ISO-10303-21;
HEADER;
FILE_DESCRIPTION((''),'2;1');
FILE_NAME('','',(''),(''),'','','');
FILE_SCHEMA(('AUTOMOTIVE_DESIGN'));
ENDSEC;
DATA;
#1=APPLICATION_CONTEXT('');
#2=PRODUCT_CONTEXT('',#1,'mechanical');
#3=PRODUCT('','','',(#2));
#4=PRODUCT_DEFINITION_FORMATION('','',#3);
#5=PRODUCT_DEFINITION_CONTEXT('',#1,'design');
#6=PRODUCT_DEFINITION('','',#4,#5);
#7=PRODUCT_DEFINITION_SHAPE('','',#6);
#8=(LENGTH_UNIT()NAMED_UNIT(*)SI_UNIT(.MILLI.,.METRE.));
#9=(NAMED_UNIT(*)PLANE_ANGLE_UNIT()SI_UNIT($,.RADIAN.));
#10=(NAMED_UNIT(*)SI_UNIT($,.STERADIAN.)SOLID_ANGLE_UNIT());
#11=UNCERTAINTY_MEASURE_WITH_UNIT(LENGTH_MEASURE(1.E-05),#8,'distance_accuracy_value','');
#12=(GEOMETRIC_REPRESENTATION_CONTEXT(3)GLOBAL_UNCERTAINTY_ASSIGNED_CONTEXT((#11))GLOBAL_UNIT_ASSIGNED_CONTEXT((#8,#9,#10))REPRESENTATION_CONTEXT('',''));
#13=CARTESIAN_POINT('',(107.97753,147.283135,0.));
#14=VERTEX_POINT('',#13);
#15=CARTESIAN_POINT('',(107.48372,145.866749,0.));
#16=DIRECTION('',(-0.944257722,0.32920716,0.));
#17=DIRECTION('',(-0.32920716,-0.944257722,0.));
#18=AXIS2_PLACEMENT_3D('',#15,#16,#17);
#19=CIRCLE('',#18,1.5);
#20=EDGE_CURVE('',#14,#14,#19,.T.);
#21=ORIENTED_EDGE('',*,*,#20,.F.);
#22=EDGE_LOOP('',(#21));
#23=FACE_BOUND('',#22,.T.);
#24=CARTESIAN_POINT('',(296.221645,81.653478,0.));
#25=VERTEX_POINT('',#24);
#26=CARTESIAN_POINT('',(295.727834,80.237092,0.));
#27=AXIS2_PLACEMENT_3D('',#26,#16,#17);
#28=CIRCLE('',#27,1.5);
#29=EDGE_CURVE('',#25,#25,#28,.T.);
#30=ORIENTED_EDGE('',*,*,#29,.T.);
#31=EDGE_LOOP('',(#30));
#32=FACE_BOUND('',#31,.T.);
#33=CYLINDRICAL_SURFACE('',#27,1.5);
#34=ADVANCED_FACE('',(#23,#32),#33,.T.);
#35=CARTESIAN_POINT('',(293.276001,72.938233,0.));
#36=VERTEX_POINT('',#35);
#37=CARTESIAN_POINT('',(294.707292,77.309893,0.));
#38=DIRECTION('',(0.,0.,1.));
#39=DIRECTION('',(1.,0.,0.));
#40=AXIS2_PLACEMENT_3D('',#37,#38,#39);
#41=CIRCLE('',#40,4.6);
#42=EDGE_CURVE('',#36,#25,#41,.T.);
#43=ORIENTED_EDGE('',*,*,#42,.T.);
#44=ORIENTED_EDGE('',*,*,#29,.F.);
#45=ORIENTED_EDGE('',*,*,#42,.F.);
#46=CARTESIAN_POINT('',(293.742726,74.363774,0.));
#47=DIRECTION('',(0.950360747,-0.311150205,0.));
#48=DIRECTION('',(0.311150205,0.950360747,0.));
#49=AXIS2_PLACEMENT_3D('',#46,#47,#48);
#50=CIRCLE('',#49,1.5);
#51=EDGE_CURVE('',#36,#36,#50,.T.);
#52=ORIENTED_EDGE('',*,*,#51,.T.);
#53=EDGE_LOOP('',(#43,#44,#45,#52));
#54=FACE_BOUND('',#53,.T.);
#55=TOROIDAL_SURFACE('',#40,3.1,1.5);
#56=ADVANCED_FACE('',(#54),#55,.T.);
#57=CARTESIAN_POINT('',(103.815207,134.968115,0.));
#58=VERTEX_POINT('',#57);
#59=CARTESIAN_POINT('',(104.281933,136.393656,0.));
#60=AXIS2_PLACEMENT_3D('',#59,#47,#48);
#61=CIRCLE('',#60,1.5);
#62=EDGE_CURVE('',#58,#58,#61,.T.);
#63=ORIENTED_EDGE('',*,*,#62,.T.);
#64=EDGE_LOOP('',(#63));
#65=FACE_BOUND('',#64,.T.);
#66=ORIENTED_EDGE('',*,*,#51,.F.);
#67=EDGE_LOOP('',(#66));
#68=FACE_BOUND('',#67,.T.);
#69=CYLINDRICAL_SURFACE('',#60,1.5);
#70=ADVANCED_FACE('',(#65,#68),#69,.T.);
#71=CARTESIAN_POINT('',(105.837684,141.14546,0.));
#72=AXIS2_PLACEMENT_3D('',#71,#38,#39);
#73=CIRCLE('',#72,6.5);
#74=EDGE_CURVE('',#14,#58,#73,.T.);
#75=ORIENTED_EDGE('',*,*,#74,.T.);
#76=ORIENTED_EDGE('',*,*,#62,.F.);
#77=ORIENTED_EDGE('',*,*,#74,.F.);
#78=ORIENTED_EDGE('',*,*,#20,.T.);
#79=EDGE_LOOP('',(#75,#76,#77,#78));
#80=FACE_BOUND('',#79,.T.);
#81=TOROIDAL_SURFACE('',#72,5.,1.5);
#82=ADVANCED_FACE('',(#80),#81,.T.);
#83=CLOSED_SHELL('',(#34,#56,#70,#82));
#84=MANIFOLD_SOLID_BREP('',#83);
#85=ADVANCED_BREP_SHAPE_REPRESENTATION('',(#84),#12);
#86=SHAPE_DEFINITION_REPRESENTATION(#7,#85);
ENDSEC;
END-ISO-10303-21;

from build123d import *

# Parameters (mm, degrees)
SWEEP_19_PROFILE_R = 1.5


with BuildPart() as part:
    # 扫描19: sweep along a path in 草图2
    with BuildLine(Plane.XY) as sweep_19_path:
        Line((293.74272631, 74.363774443), (104.281932756, 136.393656186))
        ThreePointArc((104.281932756, 136.393656186), (101.100922494, 142.74642604), (107.483719579, 145.866748534))
        Line((107.483719579, 145.866748534), (295.72783414, 80.237091699))
        ThreePointArc((295.72783414, 80.237091699), (297.644083944, 76.317293767), (293.74272631, 74.363774443))
    # 扫描19 profile (on start of the path) → 扫描19 (sweep)
    with BuildSketch(Plane(origin=(293.74272631, 74.363774443, 0), x_dir=(-0.3111502050570295, -0.9503607472391569, 0), z_dir=(-0.9503607472391569, 0.3111502050570295, 0))):
        Circle(SWEEP_19_PROFILE_R)
    sweep(path=sweep_19_path.line)


solid = part.part
